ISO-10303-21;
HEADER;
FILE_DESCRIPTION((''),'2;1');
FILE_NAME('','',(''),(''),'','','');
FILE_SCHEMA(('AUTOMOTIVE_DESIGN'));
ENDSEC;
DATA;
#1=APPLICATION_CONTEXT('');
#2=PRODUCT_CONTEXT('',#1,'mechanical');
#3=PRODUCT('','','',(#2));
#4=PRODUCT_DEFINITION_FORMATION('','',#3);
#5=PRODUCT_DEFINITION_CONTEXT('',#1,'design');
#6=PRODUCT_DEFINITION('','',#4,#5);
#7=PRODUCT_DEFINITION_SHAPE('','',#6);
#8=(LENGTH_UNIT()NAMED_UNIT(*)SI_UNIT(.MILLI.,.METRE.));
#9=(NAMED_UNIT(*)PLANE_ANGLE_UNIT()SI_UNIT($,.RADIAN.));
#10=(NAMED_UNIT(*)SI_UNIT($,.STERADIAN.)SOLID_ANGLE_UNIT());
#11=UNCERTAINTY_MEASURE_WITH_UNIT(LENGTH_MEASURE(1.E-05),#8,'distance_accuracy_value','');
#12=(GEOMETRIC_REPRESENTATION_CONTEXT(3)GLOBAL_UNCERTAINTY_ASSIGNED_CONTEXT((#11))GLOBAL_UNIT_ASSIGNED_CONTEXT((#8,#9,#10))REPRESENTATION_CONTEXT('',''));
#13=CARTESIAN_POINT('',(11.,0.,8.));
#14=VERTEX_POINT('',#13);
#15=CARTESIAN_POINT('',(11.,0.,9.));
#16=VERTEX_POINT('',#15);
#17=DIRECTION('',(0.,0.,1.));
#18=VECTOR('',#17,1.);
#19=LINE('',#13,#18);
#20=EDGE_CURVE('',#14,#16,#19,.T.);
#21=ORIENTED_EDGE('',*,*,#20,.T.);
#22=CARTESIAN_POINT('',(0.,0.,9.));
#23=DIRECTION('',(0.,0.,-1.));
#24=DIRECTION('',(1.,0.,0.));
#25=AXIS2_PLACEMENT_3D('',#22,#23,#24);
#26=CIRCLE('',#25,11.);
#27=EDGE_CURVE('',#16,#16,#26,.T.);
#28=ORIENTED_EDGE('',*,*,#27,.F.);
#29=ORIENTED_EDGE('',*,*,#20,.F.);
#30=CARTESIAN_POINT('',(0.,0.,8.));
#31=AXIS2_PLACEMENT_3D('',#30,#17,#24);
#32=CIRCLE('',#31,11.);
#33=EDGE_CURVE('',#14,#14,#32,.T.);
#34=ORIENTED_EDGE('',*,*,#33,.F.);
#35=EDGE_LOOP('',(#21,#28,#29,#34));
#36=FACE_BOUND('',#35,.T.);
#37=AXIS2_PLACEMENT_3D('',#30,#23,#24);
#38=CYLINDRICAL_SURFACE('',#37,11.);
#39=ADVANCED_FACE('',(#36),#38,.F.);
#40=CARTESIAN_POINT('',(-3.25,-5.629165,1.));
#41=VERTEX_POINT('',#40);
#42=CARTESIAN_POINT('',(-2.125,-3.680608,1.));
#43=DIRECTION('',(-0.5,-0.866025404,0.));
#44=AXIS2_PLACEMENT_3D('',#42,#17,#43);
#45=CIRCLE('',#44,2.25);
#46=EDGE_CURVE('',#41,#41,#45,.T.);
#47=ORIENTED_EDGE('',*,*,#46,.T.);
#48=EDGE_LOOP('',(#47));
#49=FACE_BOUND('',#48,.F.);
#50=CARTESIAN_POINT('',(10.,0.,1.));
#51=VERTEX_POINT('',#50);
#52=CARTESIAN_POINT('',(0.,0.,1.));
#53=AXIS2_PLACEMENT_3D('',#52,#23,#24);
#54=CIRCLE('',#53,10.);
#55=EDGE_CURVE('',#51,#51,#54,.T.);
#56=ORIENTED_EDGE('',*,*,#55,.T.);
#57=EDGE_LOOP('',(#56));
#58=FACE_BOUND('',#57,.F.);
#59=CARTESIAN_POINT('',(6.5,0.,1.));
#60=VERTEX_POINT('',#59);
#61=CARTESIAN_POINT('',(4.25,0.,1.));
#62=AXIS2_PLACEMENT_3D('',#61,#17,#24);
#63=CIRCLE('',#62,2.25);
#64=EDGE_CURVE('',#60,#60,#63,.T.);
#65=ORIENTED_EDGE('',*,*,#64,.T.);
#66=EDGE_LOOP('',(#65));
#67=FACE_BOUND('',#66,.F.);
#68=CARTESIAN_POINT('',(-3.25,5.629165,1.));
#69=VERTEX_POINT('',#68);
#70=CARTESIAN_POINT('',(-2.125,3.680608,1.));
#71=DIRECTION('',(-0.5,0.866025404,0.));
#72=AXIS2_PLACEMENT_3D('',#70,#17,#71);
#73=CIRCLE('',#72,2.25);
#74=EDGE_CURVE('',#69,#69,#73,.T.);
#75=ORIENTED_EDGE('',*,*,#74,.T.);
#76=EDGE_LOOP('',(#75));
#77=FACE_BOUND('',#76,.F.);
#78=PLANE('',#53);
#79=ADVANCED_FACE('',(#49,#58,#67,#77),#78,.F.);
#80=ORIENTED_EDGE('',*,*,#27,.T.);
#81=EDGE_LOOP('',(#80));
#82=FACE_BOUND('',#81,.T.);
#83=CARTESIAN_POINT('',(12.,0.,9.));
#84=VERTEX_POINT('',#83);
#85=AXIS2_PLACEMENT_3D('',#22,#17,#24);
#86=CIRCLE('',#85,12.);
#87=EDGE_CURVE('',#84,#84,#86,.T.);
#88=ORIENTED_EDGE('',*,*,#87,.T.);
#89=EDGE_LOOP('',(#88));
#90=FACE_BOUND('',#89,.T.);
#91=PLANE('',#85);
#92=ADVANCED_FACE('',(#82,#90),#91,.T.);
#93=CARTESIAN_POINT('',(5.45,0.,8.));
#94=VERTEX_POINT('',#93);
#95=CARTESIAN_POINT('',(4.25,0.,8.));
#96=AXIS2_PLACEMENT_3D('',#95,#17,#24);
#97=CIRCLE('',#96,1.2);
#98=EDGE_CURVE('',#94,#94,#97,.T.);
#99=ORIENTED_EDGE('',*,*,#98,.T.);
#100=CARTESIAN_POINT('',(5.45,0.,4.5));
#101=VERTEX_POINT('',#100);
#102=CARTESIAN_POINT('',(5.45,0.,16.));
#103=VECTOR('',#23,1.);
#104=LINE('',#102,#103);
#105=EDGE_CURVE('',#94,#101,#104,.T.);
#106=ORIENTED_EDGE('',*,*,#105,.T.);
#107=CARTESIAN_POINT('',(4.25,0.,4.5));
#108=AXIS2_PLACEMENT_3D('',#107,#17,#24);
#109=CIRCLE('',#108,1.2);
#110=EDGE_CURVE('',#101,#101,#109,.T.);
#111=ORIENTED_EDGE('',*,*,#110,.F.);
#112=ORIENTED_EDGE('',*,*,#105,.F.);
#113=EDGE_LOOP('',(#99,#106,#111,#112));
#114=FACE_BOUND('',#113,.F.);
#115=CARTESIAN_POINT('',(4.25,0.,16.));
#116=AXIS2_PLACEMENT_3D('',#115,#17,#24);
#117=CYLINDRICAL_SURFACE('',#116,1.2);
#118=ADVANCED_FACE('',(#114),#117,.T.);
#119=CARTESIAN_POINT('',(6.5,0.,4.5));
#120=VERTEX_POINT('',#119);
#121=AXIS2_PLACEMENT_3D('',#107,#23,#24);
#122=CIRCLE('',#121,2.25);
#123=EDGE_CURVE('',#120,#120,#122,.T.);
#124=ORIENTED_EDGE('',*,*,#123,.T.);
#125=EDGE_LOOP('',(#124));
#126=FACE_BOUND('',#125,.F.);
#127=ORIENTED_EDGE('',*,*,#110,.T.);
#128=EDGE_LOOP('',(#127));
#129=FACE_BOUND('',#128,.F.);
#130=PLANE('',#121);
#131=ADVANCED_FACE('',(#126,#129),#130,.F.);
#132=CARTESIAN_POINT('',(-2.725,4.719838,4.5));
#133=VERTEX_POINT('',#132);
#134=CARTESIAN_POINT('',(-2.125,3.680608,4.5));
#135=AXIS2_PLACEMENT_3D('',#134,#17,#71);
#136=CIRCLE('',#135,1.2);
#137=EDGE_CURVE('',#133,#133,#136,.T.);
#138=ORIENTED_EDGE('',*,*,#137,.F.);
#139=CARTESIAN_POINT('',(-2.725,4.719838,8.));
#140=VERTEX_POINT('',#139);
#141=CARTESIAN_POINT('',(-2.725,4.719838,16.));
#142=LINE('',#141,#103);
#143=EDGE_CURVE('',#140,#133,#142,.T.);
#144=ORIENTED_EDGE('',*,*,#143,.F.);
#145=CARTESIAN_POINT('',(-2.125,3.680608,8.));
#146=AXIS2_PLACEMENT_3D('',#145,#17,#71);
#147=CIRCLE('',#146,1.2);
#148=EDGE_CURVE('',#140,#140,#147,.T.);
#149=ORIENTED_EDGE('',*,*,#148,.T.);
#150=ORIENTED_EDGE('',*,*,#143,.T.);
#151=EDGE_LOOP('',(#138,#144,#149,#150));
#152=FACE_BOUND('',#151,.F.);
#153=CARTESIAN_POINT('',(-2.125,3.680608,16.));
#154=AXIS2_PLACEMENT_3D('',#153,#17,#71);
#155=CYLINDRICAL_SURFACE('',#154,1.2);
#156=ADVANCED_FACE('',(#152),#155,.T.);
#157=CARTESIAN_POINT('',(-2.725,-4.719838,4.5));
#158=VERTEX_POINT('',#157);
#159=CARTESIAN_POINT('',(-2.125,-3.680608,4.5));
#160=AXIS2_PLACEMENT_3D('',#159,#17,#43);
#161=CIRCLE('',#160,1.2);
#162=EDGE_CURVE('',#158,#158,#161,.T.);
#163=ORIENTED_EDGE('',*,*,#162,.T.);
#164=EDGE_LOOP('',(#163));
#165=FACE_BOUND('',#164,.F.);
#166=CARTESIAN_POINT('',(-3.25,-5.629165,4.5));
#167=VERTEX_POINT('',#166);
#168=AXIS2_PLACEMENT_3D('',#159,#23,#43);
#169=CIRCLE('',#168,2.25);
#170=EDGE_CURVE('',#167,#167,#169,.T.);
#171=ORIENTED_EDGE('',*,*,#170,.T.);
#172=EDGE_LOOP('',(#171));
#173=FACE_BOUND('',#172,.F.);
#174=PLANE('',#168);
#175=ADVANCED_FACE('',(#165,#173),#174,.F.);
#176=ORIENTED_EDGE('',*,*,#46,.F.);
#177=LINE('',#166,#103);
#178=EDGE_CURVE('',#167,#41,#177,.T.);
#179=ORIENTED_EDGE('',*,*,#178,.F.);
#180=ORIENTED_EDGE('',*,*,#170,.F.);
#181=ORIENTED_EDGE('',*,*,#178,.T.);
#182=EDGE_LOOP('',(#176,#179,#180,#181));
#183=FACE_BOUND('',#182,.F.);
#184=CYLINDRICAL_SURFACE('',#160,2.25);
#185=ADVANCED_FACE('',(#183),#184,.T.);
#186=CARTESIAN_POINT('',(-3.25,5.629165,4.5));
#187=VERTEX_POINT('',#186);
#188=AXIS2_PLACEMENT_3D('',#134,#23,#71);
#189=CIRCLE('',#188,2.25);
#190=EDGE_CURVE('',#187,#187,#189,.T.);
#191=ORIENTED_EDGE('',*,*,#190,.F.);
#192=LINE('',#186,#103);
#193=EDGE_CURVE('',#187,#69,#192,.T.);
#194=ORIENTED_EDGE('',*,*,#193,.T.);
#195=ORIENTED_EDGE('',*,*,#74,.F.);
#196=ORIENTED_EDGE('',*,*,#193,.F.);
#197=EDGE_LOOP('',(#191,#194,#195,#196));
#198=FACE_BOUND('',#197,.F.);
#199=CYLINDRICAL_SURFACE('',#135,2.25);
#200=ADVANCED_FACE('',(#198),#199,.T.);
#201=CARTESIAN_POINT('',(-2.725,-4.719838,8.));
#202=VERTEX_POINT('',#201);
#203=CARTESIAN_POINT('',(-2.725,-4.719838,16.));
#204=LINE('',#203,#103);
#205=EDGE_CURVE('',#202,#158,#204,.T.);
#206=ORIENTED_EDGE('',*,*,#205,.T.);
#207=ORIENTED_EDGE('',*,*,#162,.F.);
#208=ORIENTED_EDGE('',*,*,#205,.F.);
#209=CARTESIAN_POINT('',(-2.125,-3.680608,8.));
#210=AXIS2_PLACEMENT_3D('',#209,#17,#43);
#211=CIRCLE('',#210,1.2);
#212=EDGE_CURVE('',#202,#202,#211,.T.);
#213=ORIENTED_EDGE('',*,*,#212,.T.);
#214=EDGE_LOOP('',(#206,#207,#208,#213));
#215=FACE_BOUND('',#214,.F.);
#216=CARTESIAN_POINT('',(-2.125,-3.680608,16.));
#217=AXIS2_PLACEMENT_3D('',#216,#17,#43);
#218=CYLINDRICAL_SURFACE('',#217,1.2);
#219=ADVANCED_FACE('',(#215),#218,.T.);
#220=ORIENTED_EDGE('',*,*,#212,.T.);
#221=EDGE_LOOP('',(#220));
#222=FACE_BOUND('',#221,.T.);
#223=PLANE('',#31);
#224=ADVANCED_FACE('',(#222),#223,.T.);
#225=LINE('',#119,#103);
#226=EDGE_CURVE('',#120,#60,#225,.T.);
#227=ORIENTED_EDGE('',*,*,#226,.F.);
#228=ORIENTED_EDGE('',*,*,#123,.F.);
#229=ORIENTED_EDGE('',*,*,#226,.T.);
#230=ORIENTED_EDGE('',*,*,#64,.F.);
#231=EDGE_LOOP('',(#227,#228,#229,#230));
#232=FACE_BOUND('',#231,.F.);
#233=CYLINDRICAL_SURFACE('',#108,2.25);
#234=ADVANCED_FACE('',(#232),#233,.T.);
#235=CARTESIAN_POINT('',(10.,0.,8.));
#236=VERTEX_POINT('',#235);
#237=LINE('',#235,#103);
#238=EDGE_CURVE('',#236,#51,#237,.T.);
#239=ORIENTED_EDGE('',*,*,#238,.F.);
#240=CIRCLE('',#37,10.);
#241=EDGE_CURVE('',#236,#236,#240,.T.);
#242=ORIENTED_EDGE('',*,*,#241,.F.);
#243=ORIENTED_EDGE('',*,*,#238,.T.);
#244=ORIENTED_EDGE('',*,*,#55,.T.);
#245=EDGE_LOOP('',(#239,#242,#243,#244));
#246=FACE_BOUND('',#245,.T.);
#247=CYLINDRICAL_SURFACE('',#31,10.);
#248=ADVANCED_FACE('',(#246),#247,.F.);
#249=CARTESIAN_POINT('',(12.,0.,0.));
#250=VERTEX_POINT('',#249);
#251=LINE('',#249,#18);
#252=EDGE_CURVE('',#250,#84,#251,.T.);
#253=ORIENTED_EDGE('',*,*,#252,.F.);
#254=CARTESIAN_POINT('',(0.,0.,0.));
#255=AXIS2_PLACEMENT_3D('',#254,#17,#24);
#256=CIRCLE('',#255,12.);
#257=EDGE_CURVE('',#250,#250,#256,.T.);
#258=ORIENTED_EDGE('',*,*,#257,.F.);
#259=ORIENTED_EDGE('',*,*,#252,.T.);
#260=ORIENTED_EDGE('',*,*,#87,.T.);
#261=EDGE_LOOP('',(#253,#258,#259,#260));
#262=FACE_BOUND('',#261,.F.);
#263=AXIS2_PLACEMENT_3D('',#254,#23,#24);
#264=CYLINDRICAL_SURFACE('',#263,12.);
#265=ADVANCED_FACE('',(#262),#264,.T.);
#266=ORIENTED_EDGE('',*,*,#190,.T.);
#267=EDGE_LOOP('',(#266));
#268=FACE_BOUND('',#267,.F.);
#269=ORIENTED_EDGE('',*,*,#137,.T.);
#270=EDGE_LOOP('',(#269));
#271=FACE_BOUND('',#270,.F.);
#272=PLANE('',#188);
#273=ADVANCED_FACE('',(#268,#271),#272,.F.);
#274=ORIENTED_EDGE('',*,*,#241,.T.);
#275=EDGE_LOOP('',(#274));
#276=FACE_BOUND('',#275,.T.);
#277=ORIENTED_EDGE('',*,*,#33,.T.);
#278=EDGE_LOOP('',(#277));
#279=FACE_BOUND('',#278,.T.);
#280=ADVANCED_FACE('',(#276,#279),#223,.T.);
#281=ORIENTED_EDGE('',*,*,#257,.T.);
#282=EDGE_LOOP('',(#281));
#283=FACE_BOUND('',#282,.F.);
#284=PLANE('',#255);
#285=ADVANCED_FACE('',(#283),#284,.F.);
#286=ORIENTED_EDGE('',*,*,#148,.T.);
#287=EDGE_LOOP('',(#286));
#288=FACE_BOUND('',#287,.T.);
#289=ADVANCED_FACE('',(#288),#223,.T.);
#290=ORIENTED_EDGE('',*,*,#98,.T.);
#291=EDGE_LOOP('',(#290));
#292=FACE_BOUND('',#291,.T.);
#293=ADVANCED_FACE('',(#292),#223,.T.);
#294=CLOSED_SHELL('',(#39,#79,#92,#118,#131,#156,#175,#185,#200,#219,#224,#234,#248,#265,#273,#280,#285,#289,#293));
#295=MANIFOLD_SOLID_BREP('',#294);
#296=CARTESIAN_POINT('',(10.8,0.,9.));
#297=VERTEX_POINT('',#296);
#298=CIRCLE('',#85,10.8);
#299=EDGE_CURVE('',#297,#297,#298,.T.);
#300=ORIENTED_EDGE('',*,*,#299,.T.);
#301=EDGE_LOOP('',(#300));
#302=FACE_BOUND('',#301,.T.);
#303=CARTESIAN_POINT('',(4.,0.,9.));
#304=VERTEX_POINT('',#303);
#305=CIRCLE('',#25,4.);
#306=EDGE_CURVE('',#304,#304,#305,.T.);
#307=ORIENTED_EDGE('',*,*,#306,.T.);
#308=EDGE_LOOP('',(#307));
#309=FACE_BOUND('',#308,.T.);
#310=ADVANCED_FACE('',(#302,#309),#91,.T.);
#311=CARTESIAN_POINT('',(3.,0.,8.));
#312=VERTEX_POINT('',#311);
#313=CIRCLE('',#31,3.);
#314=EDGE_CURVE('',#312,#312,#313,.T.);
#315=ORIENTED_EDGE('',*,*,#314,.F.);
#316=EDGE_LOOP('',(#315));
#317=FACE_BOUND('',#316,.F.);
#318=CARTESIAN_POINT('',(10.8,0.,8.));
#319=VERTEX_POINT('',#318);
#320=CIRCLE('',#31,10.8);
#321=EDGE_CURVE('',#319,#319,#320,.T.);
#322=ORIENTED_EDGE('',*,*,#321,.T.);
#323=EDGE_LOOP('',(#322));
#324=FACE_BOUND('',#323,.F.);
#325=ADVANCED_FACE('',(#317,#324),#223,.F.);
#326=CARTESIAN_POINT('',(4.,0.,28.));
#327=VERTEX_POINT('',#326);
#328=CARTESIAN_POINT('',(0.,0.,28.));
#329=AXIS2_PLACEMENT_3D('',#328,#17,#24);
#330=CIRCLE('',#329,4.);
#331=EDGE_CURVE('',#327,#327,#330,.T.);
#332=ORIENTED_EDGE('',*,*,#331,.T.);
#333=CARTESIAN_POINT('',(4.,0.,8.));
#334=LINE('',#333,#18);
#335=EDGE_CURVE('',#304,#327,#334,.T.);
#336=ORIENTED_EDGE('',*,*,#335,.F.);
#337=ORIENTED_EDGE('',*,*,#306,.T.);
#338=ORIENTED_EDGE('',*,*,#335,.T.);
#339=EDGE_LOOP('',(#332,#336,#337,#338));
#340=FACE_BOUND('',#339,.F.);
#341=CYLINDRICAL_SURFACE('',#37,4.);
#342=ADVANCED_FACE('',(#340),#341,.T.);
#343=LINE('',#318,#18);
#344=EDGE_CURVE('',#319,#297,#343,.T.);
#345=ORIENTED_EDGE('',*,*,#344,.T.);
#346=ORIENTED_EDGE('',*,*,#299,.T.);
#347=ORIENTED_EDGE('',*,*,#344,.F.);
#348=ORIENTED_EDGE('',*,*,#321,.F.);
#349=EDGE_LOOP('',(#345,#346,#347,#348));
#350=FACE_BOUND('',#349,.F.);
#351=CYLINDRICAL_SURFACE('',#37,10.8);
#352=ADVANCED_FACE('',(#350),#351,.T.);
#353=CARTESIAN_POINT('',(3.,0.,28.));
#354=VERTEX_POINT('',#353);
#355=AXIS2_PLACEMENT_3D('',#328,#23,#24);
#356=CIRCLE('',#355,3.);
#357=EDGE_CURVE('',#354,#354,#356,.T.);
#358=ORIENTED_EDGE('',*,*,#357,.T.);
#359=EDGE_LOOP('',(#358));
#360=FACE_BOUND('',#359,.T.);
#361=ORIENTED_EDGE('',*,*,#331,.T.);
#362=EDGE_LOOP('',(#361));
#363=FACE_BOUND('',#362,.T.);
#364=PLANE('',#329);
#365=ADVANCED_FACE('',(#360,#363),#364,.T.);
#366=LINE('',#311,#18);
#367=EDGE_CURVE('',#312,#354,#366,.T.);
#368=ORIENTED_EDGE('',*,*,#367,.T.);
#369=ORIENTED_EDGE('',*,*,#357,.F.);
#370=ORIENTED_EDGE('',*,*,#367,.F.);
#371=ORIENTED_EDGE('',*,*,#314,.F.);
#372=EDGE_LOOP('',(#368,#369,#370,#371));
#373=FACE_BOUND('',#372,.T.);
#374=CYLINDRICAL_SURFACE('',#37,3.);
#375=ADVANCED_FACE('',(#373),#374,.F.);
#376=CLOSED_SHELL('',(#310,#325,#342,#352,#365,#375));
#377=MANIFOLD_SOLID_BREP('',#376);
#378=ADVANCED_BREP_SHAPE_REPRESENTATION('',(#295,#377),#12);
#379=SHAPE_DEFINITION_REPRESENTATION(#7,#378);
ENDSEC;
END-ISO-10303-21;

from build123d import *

# Parameters (mm, degrees)
CYLINDER158_R       = 3
CYLINDER158_DEPTH   = 23
CYLINDER161_R       = 10.8
CYLINDER161_DEPTH   = 1
CYLINDER159_R       = 4
CYLINDER159_DEPTH   = 20
CYLINDER157_R       = 2.25
CYLINDER157_DEPTH   = 7
CYLINDER156_R       = 1.2
CYLINDER156_DEPTH   = 14
CYLINDER147_R       = 1
CYLINDER147_DEPTH   = 1
ARRAY_COUNT         = 3
CYLINDER153_R       = 10
CYLINDER153_DEPTH   = 7
CUT_PLACEMENT_ANGLE = 180
CYLINDER160_R       = 11
CYLINDER160_DEPTH   = 4
CYLINDER_R          = 12
CYLINDER_DEPTH      = 9


with BuildPart() as cylinder001:
    # Cylinder158 → Cylinder158 (new body)
    with BuildSketch(Plane.XY.offset(8)):
        Circle(CYLINDER158_R)
    extrude(amount=CYLINDER158_DEPTH)


with BuildPart() as lid:
    # Cylinder161 → Cylinder161 (new body)
    with BuildSketch(Plane.XY.offset(8)):
        Circle(CYLINDER161_R)
    extrude(amount=CYLINDER161_DEPTH)


with BuildPart() as cut002:
    # Cylinder159 → Cylinder159 (new body)
    with BuildSketch(Plane.XY.offset(8)):
        Circle(CYLINDER159_R)
    extrude(amount=CYLINDER159_DEPTH)

    # Fusion001: union Lid
    add(lid.part)

    # Cut002: cut Cylinder001
    add(cylinder001.part, mode=Mode.SUBTRACT)


with BuildPart() as sealsubtraction:
    # Cylinder157 → Cylinder157 (new body)
    with BuildSketch(Plane.XY.offset(4.5)):
        Circle(CYLINDER157_R)
    extrude(amount=CYLINDER157_DEPTH)


with BuildPart() as bottomwireoutlet:
    # Cylinder156 → Cylinder156 (new body)
    with BuildSketch(Plane.XY.offset(-7)):
        Circle(CYLINDER156_R)
    extrude(amount=CYLINDER156_DEPTH)


with BuildPart() as sealarray:
    # Cylinder147 → Cylinder147 (new body)
    with BuildSketch(Plane.XY.offset(4.5)):
        Circle(CYLINDER147_R)
    extrude(amount=CYLINDER147_DEPTH)

    # Fusion: union SealSubtraction, BottomWireOutlet
    add(sealsubtraction.part)
    add(bottomwireoutlet.part)


with BuildPart() as sealarray_1:
    # Fusion placement: moved
    add(sealarray.part.moved(Location((4.25, 0, 0))))

    # Array: SealArray ×3 about axis
    array_axis = Axis((0, 0, 0), (0, 0, 1))


with BuildPart() as sealarray_2:
    add(sealarray_1.part)
    for i in range(1, ARRAY_COUNT):
        add(sealarray_1.part.rotate(array_axis, i * 360 / ARRAY_COUNT))


with BuildPart() as cut:
    # Cylinder153 → Cylinder153 (new body)
    with BuildSketch(Plane.XY.offset(1)):
        Circle(CYLINDER153_R)
    extrude(amount=CYLINDER153_DEPTH)

    # Cut: cut SealArray
    add(sealarray_2.part, mode=Mode.SUBTRACT)


with BuildPart() as cut_1:
    # Cut placement: moved
    add(cut.part.moved(Location((0, 0, 9))).rotate(Axis((0, 0, 9), (1, 0, 0)), CUT_PLACEMENT_ANGLE))


with BuildPart() as cylinder003:
    # Cylinder160 → Cylinder160 (new body)
    with BuildSketch(Plane.XY.offset(8)):
        Circle(CYLINDER160_R)
    extrude(amount=CYLINDER160_DEPTH)


with BuildPart() as cut003:
    # Cylinder → Cylinder (new body)
    with BuildSketch(Plane.XY):
        Circle(CYLINDER_R)
    extrude(amount=CYLINDER_DEPTH)

    # Cut001: cut Cylinder003
    add(cylinder003.part, mode=Mode.SUBTRACT)

    # Cut003: cut Cut
    add(cut_1.part, mode=Mode.SUBTRACT)


solid = Compound([cut002.part, cut003.part])
